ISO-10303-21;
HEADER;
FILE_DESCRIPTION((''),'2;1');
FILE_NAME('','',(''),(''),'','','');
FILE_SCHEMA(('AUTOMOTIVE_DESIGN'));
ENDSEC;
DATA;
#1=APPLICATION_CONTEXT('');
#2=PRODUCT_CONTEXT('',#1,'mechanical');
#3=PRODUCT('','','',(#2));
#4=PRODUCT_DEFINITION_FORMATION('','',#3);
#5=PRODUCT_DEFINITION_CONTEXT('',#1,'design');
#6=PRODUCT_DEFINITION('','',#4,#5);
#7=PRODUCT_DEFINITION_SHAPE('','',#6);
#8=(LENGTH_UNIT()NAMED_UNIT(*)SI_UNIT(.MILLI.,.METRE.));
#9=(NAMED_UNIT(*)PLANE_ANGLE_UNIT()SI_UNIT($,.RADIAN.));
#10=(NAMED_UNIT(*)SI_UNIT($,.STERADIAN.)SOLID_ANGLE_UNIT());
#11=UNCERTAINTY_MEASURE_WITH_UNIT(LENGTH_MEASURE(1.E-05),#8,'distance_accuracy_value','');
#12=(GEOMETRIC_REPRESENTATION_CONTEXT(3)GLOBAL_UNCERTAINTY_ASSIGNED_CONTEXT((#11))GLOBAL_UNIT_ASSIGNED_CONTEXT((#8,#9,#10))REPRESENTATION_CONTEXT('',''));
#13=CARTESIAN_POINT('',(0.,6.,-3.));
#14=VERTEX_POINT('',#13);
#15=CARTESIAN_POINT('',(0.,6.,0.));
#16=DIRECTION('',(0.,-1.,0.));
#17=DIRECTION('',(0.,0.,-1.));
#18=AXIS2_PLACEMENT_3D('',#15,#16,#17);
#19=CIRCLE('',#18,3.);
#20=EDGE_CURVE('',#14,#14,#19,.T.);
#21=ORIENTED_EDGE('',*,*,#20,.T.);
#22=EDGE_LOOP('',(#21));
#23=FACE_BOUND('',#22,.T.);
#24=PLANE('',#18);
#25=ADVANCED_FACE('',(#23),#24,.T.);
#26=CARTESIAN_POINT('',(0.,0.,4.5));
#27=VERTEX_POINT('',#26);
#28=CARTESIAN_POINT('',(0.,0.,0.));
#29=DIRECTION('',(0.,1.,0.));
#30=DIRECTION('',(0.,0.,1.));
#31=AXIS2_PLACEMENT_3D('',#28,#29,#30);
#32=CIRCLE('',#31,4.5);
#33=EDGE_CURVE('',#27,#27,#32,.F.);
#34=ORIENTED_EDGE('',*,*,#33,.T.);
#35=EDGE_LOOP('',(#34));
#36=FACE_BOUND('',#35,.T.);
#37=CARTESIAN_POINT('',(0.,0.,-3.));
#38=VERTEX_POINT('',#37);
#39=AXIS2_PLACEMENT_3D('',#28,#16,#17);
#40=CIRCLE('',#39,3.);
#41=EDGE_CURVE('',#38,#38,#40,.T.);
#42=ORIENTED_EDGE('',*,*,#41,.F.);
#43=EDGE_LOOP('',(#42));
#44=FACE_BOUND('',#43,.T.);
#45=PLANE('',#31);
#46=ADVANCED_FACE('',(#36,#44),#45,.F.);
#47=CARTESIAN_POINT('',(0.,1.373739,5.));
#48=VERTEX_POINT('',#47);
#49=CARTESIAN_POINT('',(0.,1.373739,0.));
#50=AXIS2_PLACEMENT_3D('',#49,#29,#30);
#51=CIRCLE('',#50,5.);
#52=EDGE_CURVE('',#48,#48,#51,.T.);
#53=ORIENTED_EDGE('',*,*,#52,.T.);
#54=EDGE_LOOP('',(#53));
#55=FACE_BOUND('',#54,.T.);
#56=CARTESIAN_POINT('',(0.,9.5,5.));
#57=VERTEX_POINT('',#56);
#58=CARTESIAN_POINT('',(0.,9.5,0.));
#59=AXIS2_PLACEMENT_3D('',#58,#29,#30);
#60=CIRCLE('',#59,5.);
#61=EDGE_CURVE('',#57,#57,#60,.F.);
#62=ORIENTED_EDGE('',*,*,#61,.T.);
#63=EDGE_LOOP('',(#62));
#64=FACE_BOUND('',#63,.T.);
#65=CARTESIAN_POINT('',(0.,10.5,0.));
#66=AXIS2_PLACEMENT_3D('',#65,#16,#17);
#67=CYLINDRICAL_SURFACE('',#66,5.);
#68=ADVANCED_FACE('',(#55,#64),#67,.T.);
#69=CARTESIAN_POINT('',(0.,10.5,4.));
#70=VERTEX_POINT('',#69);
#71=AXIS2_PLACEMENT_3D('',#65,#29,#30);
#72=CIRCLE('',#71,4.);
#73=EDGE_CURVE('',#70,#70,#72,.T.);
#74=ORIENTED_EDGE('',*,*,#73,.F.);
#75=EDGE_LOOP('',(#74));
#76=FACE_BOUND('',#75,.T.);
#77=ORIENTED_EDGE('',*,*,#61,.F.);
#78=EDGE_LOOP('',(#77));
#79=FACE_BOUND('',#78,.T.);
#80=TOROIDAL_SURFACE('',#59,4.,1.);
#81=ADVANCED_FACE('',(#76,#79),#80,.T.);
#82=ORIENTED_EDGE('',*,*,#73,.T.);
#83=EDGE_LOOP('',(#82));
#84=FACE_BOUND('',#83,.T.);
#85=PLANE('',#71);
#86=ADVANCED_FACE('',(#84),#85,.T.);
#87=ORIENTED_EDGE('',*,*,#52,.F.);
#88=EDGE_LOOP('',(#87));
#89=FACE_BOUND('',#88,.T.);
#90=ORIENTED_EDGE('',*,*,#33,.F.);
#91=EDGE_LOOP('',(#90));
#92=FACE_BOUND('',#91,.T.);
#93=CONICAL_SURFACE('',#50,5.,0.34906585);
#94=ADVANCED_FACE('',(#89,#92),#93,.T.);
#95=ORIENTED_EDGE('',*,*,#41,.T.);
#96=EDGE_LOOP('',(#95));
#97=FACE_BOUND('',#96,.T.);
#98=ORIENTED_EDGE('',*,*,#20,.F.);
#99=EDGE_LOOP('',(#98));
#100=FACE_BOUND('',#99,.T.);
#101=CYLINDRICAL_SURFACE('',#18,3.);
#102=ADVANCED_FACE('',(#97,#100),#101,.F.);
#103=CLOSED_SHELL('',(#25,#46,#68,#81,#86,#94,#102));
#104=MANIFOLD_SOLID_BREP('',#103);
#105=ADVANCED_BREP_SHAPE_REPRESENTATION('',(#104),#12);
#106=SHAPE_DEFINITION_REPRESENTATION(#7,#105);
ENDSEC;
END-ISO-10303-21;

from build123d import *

# Parameters (mm, degrees)
SKETCH1_R           = 5
BOSS_EXTRUDE1_DEPTH = 10.5
SKETCH2_R           = 3
CUT_EXTRUDE1_DEPTH  = 6
FILLET1_R           = 1
CHAMFER1_SIZE       = 0.5
CHAMFER1_SIZE2      = 1.37373871


with BuildPart() as part:
    # Sketch1 → Boss-Extrude1 (new body)
    with BuildSketch(Plane(origin=(0, 0, 0), x_dir=(1, 0, 0), z_dir=(0, 1, 0))):
        Circle(SKETCH1_R)
    extrude(amount=BOSS_EXTRUDE1_DEPTH)

    # Sketch2 → Cut-Extrude1 (cut)
    with BuildSketch(Plane.XZ):
        Circle(SKETCH2_R)
    extrude(amount=-CUT_EXTRUDE1_DEPTH, mode=Mode.SUBTRACT)

    # Fillet1
    fillet1_edges = [part.edges().sort_by_distance(p)[0] for p in [
        (-5, 10.5, 0),
    ]]
    fillet(fillet1_edges, radius=FILLET1_R)

    # Chamfer1
    chamfer1_edges = [part.edges().sort_by_distance(p)[0] for p in [
        (-5, 0, 0),
    ]]
    chamfer1_side = [part.faces().sort_by_distance(p)[0] for p in [
        (-4.858578644, 0, 0),
    ]]
    chamfer(chamfer1_edges, length=CHAMFER1_SIZE, length2=CHAMFER1_SIZE2, reference=chamfer1_side[0])


solid = part.part
